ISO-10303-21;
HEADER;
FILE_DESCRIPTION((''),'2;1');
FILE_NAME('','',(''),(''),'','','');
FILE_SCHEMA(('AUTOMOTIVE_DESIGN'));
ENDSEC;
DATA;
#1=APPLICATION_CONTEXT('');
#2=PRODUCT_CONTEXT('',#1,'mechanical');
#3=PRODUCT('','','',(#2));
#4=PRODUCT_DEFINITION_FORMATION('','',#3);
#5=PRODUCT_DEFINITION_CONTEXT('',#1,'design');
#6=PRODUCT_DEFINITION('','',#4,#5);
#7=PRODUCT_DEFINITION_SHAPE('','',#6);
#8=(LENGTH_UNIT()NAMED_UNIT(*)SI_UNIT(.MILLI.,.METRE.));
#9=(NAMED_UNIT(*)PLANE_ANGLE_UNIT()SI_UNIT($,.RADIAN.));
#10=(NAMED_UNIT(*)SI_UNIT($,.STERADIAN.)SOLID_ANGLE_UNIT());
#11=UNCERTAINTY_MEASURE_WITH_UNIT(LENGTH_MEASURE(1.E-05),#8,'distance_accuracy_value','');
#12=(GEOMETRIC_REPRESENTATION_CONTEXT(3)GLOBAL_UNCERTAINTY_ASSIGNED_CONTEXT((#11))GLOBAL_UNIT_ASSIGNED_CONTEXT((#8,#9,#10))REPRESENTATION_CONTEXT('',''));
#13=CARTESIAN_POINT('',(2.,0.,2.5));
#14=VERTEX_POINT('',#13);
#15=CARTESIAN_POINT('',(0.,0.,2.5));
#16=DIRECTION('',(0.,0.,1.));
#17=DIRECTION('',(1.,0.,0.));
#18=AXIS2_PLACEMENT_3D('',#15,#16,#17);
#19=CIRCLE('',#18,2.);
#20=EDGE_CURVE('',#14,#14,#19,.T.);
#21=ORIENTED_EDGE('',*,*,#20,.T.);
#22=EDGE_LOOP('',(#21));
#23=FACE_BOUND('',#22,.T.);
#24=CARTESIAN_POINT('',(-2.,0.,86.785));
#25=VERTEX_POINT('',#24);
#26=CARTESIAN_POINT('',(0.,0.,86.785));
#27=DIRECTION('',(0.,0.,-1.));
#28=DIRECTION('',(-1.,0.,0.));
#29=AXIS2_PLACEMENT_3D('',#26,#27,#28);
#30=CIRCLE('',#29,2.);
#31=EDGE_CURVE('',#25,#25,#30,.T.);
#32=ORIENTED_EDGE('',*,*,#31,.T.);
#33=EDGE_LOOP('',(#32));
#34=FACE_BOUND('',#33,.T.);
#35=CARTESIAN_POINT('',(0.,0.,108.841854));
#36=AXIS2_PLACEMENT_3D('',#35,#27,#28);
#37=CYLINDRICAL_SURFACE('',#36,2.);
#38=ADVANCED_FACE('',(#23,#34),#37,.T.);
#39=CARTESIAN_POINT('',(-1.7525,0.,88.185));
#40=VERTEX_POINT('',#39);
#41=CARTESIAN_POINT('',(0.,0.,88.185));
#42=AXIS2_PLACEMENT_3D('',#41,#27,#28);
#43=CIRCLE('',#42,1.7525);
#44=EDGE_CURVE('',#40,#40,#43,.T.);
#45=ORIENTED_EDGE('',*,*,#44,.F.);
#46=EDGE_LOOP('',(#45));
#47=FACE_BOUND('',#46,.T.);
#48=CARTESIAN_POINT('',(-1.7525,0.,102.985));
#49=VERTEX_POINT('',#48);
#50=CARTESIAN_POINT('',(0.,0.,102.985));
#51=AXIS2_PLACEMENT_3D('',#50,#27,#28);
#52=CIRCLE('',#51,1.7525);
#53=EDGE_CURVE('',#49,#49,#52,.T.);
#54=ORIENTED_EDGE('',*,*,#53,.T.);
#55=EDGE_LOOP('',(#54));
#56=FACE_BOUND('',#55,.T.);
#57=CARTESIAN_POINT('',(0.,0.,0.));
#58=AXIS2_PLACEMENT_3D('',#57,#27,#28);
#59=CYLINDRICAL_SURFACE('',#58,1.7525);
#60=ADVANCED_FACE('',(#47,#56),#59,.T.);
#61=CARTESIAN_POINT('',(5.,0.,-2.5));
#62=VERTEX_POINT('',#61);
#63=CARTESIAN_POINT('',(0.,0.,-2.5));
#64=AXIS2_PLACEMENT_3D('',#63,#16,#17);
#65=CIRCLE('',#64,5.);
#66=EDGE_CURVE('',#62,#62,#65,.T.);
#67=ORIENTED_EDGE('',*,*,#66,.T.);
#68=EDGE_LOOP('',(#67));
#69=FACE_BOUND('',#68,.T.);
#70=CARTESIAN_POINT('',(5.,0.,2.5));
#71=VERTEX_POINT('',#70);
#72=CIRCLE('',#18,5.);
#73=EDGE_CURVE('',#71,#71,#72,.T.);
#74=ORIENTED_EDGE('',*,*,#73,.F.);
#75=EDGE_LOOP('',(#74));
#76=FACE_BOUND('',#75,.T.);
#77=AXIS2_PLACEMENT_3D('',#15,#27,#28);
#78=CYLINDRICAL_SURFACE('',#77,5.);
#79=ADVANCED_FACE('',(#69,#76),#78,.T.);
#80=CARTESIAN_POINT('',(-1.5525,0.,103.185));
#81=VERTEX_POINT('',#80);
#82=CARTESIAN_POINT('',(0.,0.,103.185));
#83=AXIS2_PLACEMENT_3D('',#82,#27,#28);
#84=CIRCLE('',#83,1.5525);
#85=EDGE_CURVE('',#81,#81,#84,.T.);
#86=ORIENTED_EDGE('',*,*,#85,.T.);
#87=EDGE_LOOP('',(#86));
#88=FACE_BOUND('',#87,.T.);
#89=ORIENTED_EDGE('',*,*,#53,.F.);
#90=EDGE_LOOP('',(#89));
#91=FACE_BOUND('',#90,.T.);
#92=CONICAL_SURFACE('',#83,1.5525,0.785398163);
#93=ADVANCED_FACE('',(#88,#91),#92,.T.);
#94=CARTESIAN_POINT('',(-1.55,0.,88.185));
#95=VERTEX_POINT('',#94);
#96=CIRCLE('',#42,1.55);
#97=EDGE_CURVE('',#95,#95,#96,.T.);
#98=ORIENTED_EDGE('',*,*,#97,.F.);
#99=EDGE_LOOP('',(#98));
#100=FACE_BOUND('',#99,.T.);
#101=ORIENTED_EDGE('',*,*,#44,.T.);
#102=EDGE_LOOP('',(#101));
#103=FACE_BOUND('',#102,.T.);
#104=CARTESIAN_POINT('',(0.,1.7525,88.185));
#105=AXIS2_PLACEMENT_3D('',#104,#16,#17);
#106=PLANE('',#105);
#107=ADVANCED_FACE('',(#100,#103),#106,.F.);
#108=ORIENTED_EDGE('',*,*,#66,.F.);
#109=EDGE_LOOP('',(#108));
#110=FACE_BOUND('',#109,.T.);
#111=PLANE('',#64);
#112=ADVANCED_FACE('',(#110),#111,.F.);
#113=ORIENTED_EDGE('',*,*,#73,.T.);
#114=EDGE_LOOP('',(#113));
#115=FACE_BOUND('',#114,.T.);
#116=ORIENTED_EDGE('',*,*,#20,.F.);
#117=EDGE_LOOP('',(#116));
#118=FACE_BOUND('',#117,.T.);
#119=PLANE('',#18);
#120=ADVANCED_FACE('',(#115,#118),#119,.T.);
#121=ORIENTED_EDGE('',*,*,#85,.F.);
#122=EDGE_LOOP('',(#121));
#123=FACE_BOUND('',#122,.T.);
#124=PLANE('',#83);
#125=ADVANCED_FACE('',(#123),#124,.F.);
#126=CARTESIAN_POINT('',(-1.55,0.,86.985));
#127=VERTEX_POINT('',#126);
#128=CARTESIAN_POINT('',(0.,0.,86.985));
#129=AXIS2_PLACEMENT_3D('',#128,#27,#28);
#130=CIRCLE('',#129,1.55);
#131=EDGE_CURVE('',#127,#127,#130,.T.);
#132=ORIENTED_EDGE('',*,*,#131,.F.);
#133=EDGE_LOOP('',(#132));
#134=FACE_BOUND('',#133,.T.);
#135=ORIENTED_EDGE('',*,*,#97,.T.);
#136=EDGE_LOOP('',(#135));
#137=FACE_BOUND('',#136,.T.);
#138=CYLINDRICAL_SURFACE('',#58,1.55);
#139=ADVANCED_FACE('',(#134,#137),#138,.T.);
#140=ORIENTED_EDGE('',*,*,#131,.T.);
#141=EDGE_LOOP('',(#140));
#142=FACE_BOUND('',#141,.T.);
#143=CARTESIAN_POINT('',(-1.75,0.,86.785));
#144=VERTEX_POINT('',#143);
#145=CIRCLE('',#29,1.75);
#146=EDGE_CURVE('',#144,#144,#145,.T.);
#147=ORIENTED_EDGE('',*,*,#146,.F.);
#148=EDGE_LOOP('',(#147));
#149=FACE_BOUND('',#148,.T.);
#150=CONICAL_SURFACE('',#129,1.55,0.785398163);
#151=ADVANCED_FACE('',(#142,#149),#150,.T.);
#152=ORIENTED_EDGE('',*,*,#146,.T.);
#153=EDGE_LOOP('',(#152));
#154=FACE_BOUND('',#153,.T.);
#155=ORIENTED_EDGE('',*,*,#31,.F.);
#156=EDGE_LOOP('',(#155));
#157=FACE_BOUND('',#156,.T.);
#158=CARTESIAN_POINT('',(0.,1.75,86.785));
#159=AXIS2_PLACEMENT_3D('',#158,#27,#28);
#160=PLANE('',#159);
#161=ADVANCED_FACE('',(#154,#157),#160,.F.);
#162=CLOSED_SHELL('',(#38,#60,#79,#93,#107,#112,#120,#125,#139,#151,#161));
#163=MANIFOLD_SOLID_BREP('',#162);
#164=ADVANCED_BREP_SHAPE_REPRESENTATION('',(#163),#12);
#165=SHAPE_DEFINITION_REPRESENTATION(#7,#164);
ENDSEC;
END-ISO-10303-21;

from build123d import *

# Parameters (mm, degrees)
SKETCH1_R          = 2
BASE_EXTRUDE_DEPTH = 103.185
SKETCH2_R          = 5
PISTON_DEPTH       = 2.5


with BuildPart() as part:
    # Sketch1 → Base-Extrude (new body)
    with BuildSketch(Plane.XY):
        Circle(SKETCH1_R)
    extrude(amount=BASE_EXTRUDE_DEPTH)

    # Sketch2 → Piston (add, symmetric)
    with BuildSketch(Plane.XY):
        Circle(SKETCH2_R)
    extrude(amount=PISTON_DEPTH, both=True)

    # Sketch3 → Threads (revolve, cut)
    with BuildSketch(Plane(origin=(0, 0, 0), x_dir=(0, 0, -1), z_dir=(1, 0, 0))):
        Polygon((-103.185, 1.5525), (-102.985, 1.7525), (-88.185, 1.7525), (-88.185, 1.55), (-86.985, 1.55), (-86.785, 1.75), (-86.785, 5), (-103.185, 5), align=None)
    revolve(axis=Axis((0, 0, 0), (0, 0, 1)), mode=Mode.SUBTRACT)


solid = part.part
